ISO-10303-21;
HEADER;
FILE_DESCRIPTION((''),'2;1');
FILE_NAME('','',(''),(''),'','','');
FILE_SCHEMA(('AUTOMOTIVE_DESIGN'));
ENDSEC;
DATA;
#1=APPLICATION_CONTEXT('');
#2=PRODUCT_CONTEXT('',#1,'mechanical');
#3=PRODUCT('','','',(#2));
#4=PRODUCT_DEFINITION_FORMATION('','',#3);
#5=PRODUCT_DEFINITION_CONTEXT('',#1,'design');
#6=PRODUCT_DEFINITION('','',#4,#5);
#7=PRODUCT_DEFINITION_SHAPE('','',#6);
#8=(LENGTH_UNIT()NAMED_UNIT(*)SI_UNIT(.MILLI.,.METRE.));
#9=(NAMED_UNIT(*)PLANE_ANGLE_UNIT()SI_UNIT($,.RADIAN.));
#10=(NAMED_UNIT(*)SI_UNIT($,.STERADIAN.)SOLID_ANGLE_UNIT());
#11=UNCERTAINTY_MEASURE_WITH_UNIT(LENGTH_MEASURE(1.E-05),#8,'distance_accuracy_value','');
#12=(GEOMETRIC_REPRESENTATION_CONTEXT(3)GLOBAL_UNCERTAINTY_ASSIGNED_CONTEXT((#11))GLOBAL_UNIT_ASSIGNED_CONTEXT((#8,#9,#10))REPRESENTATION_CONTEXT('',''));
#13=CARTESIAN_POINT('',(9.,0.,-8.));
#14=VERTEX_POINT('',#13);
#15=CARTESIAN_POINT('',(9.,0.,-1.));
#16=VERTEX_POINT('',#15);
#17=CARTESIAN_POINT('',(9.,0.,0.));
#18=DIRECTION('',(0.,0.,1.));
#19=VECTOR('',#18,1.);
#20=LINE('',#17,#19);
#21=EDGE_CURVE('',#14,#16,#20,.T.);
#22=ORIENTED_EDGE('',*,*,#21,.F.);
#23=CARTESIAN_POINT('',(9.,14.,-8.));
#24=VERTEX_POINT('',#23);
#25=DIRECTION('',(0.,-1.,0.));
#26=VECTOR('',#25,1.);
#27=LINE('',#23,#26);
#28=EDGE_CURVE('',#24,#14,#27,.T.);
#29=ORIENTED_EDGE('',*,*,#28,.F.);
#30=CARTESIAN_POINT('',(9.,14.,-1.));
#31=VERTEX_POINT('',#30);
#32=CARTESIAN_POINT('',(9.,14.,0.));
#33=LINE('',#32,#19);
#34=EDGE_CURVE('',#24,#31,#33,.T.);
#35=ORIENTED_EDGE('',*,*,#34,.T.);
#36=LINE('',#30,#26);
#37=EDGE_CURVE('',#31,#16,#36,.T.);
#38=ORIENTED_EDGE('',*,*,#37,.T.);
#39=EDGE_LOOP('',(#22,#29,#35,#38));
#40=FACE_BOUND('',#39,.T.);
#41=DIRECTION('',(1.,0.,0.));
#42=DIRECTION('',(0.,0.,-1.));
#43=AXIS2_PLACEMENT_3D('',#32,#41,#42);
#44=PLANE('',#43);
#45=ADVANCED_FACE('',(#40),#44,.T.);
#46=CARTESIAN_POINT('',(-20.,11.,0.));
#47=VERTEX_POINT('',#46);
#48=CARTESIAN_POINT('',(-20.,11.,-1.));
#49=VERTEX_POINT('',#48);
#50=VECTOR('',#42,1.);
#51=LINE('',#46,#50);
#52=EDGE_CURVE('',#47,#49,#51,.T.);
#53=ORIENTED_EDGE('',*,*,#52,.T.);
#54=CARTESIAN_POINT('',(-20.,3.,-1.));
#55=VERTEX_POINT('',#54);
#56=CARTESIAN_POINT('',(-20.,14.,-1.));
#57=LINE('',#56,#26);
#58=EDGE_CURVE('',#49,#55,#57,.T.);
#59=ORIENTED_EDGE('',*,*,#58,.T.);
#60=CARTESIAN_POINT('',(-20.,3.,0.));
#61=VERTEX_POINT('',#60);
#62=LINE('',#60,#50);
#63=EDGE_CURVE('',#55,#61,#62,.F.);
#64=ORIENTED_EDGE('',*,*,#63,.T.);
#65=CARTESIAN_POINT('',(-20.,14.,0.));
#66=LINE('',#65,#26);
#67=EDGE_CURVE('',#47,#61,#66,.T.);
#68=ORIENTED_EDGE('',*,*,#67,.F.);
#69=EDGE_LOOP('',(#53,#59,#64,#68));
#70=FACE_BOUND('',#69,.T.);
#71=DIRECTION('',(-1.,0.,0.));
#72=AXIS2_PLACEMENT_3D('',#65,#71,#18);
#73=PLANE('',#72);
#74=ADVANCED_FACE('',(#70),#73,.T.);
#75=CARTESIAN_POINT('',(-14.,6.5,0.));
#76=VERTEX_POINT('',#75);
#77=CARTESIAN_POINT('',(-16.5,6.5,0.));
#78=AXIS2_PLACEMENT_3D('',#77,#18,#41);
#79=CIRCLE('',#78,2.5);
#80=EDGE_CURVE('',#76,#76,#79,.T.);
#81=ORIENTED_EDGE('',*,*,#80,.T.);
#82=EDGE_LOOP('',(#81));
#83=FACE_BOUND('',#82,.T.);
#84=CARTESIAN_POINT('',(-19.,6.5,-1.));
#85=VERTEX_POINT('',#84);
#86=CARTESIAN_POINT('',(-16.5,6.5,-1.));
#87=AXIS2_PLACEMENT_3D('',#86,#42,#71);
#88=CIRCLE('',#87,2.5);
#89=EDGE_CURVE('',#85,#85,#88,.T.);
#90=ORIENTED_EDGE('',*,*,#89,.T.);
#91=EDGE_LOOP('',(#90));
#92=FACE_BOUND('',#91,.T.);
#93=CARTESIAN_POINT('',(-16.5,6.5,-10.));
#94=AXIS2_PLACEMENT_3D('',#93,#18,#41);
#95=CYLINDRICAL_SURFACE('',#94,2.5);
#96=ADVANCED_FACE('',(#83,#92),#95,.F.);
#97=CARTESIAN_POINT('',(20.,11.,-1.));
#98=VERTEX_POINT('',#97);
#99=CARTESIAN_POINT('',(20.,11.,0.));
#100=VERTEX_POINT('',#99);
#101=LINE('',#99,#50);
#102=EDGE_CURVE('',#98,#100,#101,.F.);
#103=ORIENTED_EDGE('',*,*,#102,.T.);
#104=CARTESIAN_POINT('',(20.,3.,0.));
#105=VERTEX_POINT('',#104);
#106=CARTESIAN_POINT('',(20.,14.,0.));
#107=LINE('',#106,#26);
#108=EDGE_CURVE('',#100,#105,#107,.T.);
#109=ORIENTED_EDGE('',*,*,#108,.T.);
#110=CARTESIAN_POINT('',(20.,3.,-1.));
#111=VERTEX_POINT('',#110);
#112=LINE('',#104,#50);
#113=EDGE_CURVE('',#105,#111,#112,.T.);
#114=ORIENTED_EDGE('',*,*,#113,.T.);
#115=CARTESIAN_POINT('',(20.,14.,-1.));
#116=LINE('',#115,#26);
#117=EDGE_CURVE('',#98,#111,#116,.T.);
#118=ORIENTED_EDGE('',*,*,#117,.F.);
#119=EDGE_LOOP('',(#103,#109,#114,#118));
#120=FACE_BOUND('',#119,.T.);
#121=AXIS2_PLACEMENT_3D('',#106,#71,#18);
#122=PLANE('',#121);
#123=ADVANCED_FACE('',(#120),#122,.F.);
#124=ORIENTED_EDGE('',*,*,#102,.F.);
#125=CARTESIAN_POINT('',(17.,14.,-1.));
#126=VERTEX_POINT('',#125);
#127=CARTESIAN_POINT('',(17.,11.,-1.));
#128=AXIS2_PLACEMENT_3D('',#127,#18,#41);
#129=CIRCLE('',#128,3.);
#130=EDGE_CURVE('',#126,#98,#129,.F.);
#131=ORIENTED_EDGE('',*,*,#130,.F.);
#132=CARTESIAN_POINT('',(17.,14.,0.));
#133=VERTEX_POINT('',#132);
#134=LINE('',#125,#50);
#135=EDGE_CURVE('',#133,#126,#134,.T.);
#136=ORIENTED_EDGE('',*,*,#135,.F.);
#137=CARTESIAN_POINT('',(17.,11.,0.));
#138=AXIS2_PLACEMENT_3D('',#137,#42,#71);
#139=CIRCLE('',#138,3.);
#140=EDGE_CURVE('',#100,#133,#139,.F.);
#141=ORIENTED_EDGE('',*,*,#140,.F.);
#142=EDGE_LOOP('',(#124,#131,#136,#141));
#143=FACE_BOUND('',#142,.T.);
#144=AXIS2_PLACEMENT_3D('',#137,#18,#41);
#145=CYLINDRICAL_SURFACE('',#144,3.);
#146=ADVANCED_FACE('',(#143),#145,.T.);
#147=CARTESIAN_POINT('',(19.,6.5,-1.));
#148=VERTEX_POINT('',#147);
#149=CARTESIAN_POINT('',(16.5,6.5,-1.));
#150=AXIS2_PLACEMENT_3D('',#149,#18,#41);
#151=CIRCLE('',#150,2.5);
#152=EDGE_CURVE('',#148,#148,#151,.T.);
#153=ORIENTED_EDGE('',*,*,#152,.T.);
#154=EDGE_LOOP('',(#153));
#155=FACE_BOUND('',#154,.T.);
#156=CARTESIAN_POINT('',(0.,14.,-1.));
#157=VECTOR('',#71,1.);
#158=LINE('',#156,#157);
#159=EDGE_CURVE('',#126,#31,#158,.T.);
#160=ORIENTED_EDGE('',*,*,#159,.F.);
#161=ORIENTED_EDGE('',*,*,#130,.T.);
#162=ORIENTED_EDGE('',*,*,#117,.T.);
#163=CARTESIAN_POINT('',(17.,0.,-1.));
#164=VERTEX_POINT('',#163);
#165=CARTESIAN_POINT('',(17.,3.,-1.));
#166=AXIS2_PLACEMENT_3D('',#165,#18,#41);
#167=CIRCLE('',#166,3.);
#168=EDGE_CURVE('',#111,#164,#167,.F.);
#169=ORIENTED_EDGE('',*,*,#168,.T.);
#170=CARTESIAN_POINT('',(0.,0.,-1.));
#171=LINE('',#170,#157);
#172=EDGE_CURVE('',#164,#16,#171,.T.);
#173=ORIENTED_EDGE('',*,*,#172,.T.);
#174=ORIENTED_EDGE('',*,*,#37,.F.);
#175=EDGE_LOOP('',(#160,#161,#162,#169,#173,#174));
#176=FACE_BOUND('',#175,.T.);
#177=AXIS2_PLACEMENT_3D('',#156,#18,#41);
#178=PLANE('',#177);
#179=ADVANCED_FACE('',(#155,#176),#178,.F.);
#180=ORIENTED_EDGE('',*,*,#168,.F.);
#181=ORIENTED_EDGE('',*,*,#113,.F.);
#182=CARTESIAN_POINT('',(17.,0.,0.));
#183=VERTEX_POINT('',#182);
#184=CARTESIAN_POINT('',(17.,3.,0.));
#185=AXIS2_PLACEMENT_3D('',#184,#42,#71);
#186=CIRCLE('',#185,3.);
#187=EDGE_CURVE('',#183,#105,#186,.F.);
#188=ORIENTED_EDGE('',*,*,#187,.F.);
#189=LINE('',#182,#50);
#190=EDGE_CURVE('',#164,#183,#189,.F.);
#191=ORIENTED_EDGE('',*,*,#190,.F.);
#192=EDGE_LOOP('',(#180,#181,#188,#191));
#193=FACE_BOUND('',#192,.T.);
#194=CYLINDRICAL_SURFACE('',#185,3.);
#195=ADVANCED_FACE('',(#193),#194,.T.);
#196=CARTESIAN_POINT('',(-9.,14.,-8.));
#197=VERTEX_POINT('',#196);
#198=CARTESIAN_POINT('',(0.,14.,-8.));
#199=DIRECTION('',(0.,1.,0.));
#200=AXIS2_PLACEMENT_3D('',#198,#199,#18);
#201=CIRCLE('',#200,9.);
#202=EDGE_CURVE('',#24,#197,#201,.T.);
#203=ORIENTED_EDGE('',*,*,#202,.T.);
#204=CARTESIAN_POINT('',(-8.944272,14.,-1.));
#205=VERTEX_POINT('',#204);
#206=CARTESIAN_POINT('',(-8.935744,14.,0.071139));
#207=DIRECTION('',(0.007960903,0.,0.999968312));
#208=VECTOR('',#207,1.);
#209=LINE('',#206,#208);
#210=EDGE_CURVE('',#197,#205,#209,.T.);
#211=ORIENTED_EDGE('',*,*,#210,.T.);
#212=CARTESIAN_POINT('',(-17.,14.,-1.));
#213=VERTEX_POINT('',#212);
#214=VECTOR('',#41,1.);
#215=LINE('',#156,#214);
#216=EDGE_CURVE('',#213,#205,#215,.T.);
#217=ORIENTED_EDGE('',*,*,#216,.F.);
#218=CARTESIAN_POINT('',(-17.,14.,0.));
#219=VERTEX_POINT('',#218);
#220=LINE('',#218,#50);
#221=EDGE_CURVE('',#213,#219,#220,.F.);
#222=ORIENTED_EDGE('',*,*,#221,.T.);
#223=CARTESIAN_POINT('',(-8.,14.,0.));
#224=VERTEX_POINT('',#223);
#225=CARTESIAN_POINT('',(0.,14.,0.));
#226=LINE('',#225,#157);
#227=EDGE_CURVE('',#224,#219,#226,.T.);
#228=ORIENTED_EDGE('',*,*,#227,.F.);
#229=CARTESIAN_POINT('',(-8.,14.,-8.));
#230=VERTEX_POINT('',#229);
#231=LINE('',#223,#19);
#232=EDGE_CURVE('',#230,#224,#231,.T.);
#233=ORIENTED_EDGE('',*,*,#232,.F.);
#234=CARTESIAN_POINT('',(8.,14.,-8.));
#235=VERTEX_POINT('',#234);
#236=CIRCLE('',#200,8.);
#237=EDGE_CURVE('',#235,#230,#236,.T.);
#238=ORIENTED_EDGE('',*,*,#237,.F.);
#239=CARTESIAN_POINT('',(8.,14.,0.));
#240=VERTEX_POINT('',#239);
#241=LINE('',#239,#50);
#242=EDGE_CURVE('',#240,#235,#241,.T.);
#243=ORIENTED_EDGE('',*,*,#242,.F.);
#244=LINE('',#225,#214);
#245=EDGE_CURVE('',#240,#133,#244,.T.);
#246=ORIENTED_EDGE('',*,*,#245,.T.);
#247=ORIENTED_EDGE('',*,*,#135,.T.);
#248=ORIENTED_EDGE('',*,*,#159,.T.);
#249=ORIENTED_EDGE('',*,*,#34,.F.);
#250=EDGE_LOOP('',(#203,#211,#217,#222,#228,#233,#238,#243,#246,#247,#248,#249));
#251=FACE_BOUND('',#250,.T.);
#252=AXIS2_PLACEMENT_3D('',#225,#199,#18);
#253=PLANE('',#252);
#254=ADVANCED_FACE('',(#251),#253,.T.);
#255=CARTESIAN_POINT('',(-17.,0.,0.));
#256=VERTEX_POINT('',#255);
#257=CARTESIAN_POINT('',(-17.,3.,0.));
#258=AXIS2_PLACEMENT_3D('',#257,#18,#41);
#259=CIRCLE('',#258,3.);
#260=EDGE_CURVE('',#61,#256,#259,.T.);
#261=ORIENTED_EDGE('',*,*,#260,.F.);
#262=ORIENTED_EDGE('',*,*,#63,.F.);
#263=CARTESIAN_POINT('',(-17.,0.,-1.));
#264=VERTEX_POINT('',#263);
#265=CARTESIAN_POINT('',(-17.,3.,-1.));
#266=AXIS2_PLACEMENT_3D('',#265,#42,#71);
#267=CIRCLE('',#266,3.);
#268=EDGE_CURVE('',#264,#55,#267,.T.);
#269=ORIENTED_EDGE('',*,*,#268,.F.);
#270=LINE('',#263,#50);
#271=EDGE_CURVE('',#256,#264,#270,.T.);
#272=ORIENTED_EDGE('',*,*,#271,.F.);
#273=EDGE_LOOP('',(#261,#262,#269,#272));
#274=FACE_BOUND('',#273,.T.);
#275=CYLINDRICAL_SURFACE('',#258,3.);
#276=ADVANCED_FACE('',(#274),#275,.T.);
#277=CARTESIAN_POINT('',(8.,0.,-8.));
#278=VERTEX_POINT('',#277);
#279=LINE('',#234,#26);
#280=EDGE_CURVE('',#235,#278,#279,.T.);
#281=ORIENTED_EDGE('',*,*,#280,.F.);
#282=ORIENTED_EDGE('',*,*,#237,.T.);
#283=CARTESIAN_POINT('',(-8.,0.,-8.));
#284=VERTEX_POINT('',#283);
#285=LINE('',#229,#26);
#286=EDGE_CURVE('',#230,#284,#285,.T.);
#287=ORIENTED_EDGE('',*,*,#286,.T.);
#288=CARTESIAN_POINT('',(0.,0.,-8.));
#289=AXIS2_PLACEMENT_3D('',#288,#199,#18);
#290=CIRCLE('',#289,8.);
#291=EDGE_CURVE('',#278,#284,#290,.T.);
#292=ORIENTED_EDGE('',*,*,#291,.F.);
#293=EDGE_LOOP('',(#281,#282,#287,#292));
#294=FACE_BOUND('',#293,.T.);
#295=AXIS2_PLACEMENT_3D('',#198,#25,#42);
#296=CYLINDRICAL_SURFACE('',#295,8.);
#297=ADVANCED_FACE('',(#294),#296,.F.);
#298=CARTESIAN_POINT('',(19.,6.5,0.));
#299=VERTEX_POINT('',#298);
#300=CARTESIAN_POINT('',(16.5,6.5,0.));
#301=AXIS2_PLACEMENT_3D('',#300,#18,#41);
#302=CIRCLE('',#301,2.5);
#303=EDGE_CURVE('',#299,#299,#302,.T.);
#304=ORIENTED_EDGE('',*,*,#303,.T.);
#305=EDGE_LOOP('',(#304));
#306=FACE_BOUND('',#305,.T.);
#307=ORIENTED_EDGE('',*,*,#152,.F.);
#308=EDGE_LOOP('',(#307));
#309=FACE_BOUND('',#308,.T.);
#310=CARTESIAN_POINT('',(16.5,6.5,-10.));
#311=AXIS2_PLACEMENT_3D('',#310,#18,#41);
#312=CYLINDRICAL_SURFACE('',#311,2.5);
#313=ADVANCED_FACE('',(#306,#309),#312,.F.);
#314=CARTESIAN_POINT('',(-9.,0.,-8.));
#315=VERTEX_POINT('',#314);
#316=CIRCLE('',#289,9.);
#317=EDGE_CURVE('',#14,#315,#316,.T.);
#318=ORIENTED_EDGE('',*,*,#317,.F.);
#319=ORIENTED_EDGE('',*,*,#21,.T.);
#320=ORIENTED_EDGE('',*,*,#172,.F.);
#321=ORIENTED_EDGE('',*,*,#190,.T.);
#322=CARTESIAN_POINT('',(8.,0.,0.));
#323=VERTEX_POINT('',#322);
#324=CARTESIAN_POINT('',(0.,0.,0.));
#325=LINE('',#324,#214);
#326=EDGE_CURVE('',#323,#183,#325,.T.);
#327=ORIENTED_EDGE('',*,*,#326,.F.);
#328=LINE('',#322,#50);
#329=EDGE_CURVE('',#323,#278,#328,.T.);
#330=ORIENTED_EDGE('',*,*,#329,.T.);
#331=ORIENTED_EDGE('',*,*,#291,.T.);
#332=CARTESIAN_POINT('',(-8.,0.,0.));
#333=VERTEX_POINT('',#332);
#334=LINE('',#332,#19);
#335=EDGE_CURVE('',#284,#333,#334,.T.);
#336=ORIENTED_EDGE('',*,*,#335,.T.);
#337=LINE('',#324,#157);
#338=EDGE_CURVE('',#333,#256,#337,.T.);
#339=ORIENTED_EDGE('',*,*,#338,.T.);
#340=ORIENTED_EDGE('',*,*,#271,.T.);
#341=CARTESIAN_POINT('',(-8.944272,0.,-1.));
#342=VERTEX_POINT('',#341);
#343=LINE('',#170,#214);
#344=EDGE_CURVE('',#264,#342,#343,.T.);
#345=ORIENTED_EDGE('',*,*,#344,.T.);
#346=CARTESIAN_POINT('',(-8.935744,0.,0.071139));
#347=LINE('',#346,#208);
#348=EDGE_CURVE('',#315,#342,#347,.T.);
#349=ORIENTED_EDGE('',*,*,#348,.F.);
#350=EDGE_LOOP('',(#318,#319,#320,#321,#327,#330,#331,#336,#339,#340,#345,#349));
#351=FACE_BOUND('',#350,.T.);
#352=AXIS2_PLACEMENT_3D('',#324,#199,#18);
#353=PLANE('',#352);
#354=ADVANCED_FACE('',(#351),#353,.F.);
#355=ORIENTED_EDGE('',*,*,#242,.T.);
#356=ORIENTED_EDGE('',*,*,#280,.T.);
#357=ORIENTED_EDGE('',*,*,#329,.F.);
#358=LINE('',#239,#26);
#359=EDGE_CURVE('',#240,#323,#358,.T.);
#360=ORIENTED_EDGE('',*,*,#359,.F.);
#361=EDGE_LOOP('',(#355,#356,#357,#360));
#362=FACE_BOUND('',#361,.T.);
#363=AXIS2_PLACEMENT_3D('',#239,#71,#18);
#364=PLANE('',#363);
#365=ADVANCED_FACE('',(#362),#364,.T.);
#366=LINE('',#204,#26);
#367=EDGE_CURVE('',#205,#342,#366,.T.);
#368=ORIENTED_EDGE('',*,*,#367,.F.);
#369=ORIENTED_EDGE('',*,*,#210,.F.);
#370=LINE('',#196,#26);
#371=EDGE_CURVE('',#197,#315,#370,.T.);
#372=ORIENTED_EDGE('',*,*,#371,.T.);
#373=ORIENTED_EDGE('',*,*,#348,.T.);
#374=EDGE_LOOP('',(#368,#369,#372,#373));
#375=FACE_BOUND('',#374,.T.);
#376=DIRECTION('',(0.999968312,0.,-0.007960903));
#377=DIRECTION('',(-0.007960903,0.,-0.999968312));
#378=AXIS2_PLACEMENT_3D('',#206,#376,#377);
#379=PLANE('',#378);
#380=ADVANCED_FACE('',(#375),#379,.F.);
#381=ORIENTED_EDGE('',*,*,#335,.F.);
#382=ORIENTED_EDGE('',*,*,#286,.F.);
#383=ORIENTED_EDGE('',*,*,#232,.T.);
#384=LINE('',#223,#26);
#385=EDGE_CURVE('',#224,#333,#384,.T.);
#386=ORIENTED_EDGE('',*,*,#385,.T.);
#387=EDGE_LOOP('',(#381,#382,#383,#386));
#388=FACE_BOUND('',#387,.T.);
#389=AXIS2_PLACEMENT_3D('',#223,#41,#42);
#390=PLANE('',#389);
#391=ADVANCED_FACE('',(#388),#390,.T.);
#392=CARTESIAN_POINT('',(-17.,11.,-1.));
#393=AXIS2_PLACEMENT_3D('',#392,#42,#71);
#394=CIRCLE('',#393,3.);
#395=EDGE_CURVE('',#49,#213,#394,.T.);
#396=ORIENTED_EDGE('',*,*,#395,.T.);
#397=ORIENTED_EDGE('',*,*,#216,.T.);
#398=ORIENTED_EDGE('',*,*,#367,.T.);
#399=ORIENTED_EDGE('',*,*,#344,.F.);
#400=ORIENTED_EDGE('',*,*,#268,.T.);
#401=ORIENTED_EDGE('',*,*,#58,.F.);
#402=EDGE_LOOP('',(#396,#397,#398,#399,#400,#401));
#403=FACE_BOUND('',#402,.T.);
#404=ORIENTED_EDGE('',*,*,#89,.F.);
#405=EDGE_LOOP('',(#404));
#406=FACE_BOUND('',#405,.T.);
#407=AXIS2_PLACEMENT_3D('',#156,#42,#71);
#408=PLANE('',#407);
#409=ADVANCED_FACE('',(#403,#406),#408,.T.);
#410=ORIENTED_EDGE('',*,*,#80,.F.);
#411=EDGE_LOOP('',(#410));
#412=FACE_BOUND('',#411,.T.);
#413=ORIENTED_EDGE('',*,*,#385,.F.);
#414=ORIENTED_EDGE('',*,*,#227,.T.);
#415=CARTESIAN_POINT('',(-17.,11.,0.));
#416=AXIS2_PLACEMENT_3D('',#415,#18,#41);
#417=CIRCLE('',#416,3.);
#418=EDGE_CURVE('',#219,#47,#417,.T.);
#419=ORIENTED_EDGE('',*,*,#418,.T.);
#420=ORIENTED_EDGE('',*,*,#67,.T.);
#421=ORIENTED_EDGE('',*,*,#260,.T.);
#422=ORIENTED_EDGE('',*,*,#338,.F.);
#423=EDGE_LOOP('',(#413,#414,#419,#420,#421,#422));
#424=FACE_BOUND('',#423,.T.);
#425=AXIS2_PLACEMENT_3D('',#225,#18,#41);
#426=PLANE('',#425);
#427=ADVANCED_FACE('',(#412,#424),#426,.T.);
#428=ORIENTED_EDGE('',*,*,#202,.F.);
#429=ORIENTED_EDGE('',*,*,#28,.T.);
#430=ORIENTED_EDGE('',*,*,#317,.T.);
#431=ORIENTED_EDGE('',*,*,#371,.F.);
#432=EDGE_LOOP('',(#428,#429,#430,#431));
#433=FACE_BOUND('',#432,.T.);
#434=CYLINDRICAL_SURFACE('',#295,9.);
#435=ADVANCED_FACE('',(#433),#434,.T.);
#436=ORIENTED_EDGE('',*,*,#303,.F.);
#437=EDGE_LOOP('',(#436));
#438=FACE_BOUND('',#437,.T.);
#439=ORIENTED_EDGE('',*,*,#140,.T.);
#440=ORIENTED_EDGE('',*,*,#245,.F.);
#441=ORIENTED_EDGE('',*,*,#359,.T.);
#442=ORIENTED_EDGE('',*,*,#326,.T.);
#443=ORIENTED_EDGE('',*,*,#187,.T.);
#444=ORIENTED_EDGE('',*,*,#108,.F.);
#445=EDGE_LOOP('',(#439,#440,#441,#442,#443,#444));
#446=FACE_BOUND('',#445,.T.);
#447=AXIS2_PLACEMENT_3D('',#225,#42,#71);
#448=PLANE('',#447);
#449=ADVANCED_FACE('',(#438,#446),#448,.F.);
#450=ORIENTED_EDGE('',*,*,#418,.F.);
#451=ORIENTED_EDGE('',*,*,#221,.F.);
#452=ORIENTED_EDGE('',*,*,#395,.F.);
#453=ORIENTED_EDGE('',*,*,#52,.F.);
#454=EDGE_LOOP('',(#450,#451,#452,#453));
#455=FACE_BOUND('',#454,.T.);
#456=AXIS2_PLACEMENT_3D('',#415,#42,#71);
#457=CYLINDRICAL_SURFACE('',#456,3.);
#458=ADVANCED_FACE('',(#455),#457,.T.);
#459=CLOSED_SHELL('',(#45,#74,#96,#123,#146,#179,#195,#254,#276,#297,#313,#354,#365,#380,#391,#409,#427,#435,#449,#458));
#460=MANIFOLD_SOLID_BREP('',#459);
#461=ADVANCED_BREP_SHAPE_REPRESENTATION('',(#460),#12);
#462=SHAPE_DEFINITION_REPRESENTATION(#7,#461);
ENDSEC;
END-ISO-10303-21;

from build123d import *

# Parameters (mm, degrees)
SALIENTE_EXTRUIR1_DEPTH = 14
REDONDEO1_R             = 3
CROQUIS2_R              = 2.5
CORTAR_EXTRUIR1_DEPTH   = 10


with BuildPart() as part:
    # Croquis1 → Saliente-Extruir1 (new body)
    with BuildSketch(Plane(origin=(0, 0, 0), x_dir=(1, 0, 0), z_dir=(0, 1, 0))):
        with BuildLine():
            Line((-20, 0), (-8, 0))
            Line((-8, 0), (-8, 8))
            ThreePointArc((-8, 8), (0, 16), (8, 8))
            Line((8, 8), (8, 0))
            Line((8, 0), (20, 0))
            Line((20, 0), (20, 1))
            Line((20, 1), (9, 1))
            Line((9, 1), (9, 8))
            ThreePointArc((9, 8), (0, 17), (-9, 8))
            Line((-9, 8), (-8.998859232, 7.856708279))
            Line((-8.998859232, 7.856708279), (-8.94427191, 1))
            Line((-8.94427191, 1), (-20, 1))
            Line((-20, 1), (-20, 0))
        make_face()
    extrude(amount=SALIENTE_EXTRUIR1_DEPTH)

    # Redondeo1
    redondeo1_edges = [part.edges().sort_by_distance(p)[0] for p in [
        (-20, 0, -0.5),
        (20, 0, -0.5),
        (20, 14, -0.5),
        (-20, 14, -0.5),
    ]]
    fillet(redondeo1_edges, radius=REDONDEO1_R)

    # Croquis2 → Cortar-Extruir1 (cut)
    with BuildSketch(Plane.XY):
        with Locations((-16.5, 6.5)):
            Circle(CROQUIS2_R)
        with Locations((16.5, 6.5)):
            Circle(CROQUIS2_R)
    extrude(amount=-CORTAR_EXTRUIR1_DEPTH, mode=Mode.SUBTRACT)


solid = part.part
